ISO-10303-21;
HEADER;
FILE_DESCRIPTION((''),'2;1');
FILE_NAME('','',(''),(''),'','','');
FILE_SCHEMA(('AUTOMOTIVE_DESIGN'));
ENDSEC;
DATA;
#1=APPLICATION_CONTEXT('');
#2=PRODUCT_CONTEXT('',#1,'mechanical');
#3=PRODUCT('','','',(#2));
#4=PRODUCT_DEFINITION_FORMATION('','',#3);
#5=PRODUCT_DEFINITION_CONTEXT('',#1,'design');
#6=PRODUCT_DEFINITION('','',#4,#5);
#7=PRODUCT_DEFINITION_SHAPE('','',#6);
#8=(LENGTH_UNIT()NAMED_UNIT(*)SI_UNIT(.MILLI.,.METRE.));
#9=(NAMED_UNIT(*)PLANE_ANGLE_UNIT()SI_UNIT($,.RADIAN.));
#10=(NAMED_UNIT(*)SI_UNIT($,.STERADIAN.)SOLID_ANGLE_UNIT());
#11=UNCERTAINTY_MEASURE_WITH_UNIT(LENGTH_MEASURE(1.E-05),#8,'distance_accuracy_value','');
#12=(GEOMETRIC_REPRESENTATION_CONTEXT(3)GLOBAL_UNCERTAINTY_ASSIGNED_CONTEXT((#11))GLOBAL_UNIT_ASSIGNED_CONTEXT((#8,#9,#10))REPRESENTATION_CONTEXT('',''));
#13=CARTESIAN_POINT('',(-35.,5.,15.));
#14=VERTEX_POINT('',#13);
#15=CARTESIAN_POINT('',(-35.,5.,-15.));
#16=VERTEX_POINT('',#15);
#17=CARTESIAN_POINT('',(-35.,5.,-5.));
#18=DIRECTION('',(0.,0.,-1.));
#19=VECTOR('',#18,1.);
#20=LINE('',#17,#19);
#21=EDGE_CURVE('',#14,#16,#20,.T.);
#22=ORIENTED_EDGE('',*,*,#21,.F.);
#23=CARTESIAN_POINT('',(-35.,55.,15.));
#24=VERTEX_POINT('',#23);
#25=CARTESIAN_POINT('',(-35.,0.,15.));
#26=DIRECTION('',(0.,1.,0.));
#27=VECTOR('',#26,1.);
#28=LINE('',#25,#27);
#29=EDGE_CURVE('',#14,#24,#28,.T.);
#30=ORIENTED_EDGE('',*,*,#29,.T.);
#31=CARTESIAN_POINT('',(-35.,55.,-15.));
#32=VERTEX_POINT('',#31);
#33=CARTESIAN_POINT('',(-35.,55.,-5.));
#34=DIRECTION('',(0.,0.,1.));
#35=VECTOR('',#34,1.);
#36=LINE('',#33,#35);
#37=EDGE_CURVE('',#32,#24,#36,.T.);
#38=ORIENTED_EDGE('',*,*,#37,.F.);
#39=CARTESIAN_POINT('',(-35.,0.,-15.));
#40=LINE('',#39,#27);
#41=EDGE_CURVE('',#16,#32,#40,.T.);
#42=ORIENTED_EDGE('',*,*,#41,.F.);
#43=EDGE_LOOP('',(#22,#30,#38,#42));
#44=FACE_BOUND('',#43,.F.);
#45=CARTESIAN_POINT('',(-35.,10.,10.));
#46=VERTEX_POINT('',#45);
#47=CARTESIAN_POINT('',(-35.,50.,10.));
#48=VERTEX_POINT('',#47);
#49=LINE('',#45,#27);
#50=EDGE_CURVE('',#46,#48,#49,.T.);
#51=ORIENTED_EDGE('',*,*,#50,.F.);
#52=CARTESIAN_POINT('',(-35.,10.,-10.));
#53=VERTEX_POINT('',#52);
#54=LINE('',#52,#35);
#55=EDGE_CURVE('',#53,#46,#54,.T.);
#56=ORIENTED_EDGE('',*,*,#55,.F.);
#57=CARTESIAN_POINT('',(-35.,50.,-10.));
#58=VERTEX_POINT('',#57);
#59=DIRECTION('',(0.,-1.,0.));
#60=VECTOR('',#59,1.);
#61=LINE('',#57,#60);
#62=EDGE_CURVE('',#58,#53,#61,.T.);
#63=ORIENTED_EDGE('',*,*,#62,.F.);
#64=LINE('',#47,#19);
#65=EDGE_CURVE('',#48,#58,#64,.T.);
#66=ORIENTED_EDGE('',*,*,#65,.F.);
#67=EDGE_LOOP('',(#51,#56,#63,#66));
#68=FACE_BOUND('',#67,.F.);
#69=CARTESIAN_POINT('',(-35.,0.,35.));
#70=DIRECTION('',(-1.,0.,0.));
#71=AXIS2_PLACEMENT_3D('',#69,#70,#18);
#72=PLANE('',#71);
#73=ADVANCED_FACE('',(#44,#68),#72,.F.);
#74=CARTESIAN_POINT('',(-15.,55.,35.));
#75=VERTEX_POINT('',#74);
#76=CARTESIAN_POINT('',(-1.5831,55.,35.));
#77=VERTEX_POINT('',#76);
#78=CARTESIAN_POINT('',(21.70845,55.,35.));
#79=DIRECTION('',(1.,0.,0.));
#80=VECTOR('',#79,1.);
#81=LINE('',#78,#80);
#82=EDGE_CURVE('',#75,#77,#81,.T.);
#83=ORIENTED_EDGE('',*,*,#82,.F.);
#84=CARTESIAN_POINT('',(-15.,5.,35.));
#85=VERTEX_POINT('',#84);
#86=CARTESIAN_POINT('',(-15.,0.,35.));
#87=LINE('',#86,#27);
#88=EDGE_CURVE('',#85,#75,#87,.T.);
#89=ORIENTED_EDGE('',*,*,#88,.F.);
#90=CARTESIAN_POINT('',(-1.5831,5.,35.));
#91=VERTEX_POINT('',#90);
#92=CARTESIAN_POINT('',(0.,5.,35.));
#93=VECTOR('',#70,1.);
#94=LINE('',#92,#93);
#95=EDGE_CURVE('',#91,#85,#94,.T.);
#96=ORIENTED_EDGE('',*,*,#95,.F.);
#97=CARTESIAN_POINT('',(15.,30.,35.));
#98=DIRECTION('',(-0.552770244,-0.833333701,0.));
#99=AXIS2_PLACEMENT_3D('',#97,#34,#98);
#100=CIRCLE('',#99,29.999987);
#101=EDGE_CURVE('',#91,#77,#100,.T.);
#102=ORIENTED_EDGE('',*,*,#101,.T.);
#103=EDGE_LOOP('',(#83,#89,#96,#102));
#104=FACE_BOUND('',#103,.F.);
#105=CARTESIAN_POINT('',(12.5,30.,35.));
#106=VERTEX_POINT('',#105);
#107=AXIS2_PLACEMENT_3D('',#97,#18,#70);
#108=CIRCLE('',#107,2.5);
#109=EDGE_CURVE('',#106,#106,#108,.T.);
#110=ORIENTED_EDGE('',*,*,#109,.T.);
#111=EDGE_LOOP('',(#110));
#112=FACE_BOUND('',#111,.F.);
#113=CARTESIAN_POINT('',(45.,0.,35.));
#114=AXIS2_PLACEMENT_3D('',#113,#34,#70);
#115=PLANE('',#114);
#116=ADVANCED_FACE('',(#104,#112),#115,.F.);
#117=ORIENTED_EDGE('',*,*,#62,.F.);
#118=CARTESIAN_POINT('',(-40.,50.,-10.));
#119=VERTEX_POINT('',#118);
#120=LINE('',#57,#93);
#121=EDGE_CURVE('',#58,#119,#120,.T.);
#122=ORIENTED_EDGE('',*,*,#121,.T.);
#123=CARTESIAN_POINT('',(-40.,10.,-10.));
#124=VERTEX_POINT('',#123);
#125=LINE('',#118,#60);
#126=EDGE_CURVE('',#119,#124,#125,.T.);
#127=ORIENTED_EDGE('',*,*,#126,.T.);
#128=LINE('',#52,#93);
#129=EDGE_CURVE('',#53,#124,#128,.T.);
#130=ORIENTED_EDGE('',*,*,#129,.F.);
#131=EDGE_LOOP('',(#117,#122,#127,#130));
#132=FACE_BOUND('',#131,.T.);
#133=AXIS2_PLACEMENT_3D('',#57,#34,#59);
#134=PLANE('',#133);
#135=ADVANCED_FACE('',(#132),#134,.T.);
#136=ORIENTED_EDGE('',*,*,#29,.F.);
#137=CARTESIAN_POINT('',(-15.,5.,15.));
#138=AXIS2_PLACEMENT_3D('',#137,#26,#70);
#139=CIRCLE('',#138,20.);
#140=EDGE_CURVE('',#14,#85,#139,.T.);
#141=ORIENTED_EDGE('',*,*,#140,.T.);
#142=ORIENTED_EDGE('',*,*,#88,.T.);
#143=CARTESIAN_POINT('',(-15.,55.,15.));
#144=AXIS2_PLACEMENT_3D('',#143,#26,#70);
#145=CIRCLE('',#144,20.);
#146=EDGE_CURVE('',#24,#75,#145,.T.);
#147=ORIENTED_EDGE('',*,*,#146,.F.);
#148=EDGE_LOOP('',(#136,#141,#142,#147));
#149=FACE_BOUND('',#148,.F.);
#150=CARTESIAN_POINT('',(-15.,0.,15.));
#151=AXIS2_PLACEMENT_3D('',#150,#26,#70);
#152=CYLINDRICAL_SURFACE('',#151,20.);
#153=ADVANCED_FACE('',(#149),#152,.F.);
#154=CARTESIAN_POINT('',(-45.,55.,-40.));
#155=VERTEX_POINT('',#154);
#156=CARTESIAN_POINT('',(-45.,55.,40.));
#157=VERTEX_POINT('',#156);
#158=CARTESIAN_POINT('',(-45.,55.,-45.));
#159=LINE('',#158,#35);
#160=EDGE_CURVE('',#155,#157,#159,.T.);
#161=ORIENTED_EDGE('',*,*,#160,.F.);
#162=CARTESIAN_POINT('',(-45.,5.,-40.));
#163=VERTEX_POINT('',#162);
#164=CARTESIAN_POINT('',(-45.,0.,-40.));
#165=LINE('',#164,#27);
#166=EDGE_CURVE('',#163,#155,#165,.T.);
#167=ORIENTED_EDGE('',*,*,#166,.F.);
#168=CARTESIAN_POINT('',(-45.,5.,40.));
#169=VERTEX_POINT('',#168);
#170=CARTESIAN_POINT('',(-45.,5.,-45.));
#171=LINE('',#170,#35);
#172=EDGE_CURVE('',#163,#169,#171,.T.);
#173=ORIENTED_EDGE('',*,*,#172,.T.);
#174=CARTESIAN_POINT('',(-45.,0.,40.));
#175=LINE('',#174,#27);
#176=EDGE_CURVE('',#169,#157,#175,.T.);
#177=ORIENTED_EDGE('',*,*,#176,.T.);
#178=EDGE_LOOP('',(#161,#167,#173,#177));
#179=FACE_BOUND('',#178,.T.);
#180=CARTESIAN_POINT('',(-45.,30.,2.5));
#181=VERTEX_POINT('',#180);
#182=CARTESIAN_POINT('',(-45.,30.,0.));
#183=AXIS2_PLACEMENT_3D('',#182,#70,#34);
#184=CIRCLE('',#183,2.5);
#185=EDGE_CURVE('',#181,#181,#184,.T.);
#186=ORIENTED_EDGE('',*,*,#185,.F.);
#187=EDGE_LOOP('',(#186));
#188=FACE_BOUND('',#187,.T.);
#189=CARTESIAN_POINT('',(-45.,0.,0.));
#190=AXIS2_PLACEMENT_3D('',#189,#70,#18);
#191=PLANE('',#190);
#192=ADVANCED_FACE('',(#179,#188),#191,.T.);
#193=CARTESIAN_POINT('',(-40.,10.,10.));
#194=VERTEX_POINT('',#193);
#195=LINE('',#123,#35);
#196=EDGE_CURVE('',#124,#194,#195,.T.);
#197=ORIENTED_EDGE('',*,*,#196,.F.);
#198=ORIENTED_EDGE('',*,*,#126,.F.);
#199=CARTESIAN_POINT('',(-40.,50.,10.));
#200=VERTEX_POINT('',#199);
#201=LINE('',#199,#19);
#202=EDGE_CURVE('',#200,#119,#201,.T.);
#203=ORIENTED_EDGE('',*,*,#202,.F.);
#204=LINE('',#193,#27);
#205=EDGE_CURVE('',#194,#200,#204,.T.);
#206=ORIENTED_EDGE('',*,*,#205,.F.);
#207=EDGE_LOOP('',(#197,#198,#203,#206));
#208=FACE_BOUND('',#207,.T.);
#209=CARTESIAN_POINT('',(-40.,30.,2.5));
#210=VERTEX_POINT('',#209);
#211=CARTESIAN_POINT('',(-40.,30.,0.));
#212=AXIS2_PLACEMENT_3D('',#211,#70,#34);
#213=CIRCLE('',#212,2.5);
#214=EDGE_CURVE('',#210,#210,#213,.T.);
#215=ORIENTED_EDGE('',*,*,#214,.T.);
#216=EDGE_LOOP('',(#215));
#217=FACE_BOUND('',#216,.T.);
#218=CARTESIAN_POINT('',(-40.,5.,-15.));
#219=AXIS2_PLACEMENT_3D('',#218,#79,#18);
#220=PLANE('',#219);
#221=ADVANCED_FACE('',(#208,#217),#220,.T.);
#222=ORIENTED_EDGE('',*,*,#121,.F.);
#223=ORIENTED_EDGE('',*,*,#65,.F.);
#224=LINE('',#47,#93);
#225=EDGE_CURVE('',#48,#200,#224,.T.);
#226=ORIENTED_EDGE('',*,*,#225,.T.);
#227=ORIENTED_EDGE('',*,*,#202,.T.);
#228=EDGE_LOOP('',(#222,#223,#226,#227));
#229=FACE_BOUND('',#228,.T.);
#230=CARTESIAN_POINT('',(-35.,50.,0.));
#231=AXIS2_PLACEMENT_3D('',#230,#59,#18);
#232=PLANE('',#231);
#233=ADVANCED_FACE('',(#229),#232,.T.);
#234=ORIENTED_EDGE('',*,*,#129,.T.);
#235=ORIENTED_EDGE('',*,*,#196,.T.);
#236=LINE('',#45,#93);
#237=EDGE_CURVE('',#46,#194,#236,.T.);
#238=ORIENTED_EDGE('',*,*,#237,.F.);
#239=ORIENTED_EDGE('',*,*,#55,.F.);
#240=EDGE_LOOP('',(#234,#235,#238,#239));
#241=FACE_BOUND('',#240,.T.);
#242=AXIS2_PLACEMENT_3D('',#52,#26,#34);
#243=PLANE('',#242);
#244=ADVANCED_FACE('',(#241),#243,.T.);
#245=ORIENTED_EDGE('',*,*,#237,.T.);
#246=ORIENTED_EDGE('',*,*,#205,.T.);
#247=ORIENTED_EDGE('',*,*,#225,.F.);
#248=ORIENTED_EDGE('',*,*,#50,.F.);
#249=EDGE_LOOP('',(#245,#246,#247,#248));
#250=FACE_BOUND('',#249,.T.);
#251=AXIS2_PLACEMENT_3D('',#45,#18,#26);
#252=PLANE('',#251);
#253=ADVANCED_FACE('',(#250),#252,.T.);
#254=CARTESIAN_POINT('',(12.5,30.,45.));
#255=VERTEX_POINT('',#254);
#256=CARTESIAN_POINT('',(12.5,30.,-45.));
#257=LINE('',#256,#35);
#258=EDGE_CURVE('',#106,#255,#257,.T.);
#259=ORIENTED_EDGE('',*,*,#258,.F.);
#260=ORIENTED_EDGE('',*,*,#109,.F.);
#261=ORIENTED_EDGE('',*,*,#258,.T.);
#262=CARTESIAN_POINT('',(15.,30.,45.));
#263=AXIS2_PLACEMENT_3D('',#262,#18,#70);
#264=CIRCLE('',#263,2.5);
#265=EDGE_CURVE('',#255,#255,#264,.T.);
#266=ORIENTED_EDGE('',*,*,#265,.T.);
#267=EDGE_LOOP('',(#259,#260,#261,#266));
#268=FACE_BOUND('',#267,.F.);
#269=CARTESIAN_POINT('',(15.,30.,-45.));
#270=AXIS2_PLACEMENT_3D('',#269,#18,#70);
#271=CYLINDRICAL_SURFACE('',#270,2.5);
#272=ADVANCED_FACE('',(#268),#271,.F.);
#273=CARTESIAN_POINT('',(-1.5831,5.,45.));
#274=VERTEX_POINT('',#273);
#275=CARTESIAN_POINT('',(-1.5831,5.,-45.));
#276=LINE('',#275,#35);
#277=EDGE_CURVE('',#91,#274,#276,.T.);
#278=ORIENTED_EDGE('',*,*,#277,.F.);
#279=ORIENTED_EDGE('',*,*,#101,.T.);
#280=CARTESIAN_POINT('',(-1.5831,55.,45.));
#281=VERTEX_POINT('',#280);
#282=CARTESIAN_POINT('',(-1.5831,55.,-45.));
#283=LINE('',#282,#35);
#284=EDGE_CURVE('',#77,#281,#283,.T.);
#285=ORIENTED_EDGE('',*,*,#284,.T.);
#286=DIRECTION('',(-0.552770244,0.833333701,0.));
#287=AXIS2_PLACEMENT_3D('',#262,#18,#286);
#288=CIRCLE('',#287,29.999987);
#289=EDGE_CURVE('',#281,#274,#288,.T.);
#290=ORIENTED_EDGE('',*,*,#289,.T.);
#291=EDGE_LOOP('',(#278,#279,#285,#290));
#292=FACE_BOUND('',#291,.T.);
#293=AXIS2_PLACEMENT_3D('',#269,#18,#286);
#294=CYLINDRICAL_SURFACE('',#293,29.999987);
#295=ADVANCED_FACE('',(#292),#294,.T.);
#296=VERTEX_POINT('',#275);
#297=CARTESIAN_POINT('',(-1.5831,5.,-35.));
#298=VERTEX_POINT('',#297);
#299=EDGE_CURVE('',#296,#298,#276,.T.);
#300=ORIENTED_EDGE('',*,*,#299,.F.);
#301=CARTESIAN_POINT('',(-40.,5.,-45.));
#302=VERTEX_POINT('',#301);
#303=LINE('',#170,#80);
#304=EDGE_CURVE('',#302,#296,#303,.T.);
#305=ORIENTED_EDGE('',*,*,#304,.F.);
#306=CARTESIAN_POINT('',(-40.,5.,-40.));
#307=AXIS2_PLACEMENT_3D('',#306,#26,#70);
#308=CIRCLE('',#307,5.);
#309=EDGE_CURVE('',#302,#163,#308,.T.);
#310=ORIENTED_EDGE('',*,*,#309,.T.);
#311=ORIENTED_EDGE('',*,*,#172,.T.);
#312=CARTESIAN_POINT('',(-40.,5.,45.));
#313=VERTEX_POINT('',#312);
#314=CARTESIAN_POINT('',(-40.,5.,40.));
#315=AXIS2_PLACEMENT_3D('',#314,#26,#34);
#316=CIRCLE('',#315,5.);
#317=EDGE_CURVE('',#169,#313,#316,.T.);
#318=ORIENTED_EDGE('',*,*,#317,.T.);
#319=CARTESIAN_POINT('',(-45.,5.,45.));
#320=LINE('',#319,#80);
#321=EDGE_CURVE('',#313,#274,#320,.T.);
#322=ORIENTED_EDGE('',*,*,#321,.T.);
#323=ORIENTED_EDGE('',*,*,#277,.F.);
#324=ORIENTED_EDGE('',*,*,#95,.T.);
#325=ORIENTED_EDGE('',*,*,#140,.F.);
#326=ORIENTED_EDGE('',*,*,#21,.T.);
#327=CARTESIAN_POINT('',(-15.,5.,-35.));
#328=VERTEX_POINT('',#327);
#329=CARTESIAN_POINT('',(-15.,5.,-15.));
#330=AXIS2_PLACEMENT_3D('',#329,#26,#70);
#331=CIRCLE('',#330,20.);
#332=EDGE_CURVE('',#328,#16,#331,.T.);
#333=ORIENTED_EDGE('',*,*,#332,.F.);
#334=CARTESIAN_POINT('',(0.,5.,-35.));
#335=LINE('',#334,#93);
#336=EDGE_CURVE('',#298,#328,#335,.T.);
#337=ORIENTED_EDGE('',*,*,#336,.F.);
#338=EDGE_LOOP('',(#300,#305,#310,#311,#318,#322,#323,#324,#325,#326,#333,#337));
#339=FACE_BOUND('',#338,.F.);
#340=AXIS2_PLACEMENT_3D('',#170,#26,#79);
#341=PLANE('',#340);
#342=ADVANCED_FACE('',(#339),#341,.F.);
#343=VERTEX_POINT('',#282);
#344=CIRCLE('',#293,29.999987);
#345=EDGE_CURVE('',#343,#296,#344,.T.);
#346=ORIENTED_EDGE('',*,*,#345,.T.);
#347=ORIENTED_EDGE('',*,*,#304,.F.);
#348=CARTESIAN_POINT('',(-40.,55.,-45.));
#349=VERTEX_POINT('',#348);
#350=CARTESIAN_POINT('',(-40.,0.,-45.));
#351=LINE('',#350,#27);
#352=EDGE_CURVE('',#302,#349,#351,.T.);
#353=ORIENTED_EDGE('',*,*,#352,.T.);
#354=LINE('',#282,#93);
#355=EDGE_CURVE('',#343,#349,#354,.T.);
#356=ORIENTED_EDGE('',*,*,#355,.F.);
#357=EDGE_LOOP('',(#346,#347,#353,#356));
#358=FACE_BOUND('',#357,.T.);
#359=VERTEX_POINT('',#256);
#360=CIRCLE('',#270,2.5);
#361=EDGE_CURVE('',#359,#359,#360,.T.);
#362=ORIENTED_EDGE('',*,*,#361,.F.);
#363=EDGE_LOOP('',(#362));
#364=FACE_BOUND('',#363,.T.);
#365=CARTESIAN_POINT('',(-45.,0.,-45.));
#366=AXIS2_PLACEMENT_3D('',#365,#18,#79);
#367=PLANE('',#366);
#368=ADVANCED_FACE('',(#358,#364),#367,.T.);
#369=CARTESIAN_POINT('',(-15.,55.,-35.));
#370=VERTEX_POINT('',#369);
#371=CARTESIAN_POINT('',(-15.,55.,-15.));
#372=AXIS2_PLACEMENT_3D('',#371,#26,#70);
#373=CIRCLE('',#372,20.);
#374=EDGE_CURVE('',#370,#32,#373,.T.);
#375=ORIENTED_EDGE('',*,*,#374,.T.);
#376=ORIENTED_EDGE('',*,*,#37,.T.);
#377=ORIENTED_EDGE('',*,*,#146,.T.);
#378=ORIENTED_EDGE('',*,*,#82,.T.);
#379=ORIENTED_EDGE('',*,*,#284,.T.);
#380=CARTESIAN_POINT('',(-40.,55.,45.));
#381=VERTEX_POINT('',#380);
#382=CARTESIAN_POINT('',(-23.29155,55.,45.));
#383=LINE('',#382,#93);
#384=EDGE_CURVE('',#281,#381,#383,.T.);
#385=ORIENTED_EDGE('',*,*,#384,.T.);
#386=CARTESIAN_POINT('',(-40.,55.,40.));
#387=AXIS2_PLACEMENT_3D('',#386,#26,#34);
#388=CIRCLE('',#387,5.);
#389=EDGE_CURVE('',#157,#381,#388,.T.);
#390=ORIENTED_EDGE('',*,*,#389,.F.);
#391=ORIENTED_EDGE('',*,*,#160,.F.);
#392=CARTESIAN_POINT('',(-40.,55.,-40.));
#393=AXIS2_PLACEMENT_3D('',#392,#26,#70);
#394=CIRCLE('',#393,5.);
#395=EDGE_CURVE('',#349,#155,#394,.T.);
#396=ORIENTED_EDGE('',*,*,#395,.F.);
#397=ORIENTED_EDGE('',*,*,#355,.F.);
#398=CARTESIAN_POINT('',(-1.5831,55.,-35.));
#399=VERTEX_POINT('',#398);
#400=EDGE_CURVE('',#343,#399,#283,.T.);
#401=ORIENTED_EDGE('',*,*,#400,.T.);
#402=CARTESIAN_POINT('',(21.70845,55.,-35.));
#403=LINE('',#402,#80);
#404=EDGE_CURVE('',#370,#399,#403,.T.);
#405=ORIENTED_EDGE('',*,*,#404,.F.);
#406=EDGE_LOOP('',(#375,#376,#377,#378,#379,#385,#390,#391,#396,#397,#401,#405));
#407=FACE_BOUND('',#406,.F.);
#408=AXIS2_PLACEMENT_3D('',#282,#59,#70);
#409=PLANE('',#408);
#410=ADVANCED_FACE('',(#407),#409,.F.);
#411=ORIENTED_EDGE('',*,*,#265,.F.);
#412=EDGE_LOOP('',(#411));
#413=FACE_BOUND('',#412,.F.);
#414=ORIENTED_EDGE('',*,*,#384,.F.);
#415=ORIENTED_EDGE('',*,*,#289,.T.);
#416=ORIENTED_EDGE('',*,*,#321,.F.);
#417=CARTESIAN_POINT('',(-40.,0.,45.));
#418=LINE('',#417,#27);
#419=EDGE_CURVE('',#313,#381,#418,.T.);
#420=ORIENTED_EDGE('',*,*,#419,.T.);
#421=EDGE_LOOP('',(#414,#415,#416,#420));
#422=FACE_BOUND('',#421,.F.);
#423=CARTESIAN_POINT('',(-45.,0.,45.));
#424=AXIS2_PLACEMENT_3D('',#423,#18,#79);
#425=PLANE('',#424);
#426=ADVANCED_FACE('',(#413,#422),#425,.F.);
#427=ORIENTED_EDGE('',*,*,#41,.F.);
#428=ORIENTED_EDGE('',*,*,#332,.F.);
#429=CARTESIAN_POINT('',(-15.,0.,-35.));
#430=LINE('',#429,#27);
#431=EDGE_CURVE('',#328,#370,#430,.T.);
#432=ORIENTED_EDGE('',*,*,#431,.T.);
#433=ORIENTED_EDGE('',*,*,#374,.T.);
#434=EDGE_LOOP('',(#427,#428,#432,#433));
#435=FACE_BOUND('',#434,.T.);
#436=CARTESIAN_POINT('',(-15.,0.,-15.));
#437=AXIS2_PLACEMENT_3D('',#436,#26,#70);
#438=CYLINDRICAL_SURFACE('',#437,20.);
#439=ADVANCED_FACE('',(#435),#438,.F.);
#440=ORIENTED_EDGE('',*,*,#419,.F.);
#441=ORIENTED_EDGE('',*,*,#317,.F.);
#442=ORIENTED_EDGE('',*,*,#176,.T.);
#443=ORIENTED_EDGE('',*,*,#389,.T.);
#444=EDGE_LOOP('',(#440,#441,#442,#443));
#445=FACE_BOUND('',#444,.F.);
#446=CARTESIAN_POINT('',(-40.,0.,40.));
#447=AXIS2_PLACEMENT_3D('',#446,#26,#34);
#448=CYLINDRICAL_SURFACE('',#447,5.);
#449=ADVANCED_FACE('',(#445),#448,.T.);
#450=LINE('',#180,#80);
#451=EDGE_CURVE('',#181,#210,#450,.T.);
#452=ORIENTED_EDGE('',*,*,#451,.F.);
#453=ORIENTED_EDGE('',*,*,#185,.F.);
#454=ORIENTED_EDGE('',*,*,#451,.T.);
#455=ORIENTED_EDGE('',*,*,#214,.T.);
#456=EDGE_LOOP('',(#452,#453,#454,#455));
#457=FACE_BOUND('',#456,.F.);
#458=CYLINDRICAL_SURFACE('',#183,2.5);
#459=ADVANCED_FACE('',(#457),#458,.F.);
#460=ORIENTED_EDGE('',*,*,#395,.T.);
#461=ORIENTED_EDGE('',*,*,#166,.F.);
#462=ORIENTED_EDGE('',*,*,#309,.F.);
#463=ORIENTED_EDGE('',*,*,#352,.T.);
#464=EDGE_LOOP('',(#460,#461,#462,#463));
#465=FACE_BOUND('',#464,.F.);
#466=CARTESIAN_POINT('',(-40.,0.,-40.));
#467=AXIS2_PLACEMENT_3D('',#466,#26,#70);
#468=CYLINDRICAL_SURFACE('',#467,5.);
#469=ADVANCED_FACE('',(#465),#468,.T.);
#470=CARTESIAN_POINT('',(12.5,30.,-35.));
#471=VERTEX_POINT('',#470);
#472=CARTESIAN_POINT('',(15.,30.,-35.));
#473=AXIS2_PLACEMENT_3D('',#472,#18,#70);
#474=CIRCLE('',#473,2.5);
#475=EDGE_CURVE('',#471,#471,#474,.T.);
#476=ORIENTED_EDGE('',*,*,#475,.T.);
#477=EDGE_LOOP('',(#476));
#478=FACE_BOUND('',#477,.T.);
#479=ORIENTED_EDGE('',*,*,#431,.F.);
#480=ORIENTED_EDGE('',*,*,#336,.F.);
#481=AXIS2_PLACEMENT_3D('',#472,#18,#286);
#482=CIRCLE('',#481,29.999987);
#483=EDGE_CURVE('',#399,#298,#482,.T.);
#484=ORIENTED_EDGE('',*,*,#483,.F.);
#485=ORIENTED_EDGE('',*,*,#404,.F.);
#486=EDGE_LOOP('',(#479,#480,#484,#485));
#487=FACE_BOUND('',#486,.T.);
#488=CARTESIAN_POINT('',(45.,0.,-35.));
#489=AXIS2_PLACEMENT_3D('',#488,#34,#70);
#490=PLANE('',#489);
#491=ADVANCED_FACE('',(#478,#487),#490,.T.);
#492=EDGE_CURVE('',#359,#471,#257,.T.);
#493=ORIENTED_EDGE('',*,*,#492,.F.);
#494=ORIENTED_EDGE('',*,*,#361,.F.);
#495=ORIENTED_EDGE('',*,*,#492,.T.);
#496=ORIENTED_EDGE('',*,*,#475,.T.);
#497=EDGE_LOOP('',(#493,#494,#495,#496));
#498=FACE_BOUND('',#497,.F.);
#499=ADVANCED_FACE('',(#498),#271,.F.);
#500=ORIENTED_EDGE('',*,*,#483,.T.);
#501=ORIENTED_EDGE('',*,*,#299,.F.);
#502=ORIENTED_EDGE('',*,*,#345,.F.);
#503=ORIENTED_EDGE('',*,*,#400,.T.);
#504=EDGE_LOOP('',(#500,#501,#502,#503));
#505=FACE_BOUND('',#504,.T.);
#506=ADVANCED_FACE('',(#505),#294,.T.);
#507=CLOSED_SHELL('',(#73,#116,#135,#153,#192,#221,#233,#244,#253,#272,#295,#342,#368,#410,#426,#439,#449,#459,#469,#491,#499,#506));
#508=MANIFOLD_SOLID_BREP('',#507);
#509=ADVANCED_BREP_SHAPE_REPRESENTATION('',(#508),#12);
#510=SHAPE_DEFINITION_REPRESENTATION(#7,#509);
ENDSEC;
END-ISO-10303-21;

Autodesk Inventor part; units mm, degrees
ref_plane "YZ Plane" through (0, 0, 0) normal (1, 0, 0) x (0, 1, 0)
ref_plane "XZ Plane" through (0, 0, 0) normal (0, 1, 0) x (-1, 0, 0)
ref_plane "XY Plane" through (0, 0, 0) normal (0, 0, 1) x (1, 0, 0)
sketch "Sketch1" plane through (0, 0, 0) normal (0, 1, 0) x (-1, 0, 0)
  line L0 (45, 0) -> (45, -45)
  line L1 (45, -45) -> (0, -45)
  line L2 (-45, 0) -> (-45, -45)
  line L3 (-45, -45) -> (0, -45)
  line L4 (45, 0) -> (45, 45)
  line L5 (45, 45) -> (0, 45)
  line L6 (-45, 0) -> (-45, 45)
  line L7 (-45, 45) -> (0, 45)
  line L8 (-45, 45) -> (-45, 35)
  line L9 (-45, 35) -> (51.6203, 35)
  line L10 (-45, -45) -> (-45, -35)
  line L11 (-45, -35) -> (58.872, -35)
  line L12 (45, 45) -> (35, 45)
  line L13 (35, 45) -> (35, -45)
  point P0 (0, 0)
  point P1 (35, 35)
  point P2 (35, -35)
  dimension "d0" = 45
  dimension "d1" = 45
  dimension "d2" = 10
  dimension "d3" = 10
  dimension "d4" = 10
extrude "Extrusion1" add sketch "Sketch1" along normal blind 60 contours L0 L11 L13 L9 L4 | L0 L1 L13 L11 | L9 L13 L5 L4 | L13 L1 L3 L2 L11 | L9 L6 L7 L5 L13
fillet "Fillet1" radius 20 2 edges at (-35, 30, 35) (-35, 30, -35)
fillet "Fillet2" radius 5 2 edges at (-45, 30, 45) (-45, 30, -45)
sketch "Sketch2" plane through (45, 0, -45) normal (0, 0, -1) x (-1, 0, 0)
  line L0 (0, 0) -> (0, 60) projected
  arc A0 (46.5831, 55) -> (46.5831, 5) centre (30, 30) ccw
  line L1 (90, 5) -> (46.5831, 5)
  line L2 (46.5831, 55) -> (90, 55)
  line L3 (90, 60) -> (90, 0) projected
  line L4 (60, 0) -> (0, 0) projected
  line L5 (90, 60) -> (0, 60)
  line L6 (0, 60) -> (0, 0)
  line L7 (0, 0) -> (90, 0)
  line L8 (90, 0) -> (90, 60)
  point P0 (45, 0)
  point P1 (30, 60)
  point P2 (30, 0)
  point P3 (0, 30)
  dimension "d10" = 5
extrude "Extrusion2" cut sketch "Sketch2" against normal blind 161.25 contours L0 A0 L4 | L0 L5 A0 | A0 L1 L3 L7 L4 | L5 L3 L2 A0
sketch "Sketch3" plane through (-1.5831, 5, -45) normal (0, 0, -1) x (-1, 0, 0)
  line L0 (13.4169, 50) -> (0, 50) projected
  arc A0 (0, 50) -> (0, 0) centre (-16.5831, 25) ccw projected
  circle A1 centre (-16.5831, 25) radius 2.5
  point P0 (-1.5831, -5)
  dimension "d15" = 5
extrude "Extrusion3" cut sketch "Sketch3" against normal blind 161.25
sketch "Sketch4" plane through (-45, 5, 40) normal (-1, 0, 0) x (0, 0, 1)
  circle A0 centre (-40, 25) radius 2.5
  point P0 (-40, -5)
  dimension "d18" = 5
extrude "Extrusion4" cut sketch "Sketch4" against normal blind 161.25
sketch "Sketch5" plane through (-45, 5, 40) normal (-1, 0, 0) x (0, 0, 1)
  point P0 (-40, -5)
sketch "Sketch6" plane through (-35, 5, -15) normal (1, 0, 0) x (0, 0, -1)
  line L0 (-15, 45) -> (-5, 45)
  line L1 (-5, 45) -> (-5, 5)
  line L2 (-5, 5) -> (-25, 5)
  line L3 (-25, 5) -> (-25, 45)
  line L4 (-25, 45) -> (-15, 45)
  point P0 (-15, -5)
  point P1 (-15, 25)
  dimension "d21" = 20
  dimension "d22" = 10
  dimension "d23" = 40
  dimension "d24" = 20
  dimension "d25" = 40
  dimension "d26" = 90
extrude "Extrusion5" cut sketch "Sketch6" against normal blind 5
properties part number "PartArm1"
